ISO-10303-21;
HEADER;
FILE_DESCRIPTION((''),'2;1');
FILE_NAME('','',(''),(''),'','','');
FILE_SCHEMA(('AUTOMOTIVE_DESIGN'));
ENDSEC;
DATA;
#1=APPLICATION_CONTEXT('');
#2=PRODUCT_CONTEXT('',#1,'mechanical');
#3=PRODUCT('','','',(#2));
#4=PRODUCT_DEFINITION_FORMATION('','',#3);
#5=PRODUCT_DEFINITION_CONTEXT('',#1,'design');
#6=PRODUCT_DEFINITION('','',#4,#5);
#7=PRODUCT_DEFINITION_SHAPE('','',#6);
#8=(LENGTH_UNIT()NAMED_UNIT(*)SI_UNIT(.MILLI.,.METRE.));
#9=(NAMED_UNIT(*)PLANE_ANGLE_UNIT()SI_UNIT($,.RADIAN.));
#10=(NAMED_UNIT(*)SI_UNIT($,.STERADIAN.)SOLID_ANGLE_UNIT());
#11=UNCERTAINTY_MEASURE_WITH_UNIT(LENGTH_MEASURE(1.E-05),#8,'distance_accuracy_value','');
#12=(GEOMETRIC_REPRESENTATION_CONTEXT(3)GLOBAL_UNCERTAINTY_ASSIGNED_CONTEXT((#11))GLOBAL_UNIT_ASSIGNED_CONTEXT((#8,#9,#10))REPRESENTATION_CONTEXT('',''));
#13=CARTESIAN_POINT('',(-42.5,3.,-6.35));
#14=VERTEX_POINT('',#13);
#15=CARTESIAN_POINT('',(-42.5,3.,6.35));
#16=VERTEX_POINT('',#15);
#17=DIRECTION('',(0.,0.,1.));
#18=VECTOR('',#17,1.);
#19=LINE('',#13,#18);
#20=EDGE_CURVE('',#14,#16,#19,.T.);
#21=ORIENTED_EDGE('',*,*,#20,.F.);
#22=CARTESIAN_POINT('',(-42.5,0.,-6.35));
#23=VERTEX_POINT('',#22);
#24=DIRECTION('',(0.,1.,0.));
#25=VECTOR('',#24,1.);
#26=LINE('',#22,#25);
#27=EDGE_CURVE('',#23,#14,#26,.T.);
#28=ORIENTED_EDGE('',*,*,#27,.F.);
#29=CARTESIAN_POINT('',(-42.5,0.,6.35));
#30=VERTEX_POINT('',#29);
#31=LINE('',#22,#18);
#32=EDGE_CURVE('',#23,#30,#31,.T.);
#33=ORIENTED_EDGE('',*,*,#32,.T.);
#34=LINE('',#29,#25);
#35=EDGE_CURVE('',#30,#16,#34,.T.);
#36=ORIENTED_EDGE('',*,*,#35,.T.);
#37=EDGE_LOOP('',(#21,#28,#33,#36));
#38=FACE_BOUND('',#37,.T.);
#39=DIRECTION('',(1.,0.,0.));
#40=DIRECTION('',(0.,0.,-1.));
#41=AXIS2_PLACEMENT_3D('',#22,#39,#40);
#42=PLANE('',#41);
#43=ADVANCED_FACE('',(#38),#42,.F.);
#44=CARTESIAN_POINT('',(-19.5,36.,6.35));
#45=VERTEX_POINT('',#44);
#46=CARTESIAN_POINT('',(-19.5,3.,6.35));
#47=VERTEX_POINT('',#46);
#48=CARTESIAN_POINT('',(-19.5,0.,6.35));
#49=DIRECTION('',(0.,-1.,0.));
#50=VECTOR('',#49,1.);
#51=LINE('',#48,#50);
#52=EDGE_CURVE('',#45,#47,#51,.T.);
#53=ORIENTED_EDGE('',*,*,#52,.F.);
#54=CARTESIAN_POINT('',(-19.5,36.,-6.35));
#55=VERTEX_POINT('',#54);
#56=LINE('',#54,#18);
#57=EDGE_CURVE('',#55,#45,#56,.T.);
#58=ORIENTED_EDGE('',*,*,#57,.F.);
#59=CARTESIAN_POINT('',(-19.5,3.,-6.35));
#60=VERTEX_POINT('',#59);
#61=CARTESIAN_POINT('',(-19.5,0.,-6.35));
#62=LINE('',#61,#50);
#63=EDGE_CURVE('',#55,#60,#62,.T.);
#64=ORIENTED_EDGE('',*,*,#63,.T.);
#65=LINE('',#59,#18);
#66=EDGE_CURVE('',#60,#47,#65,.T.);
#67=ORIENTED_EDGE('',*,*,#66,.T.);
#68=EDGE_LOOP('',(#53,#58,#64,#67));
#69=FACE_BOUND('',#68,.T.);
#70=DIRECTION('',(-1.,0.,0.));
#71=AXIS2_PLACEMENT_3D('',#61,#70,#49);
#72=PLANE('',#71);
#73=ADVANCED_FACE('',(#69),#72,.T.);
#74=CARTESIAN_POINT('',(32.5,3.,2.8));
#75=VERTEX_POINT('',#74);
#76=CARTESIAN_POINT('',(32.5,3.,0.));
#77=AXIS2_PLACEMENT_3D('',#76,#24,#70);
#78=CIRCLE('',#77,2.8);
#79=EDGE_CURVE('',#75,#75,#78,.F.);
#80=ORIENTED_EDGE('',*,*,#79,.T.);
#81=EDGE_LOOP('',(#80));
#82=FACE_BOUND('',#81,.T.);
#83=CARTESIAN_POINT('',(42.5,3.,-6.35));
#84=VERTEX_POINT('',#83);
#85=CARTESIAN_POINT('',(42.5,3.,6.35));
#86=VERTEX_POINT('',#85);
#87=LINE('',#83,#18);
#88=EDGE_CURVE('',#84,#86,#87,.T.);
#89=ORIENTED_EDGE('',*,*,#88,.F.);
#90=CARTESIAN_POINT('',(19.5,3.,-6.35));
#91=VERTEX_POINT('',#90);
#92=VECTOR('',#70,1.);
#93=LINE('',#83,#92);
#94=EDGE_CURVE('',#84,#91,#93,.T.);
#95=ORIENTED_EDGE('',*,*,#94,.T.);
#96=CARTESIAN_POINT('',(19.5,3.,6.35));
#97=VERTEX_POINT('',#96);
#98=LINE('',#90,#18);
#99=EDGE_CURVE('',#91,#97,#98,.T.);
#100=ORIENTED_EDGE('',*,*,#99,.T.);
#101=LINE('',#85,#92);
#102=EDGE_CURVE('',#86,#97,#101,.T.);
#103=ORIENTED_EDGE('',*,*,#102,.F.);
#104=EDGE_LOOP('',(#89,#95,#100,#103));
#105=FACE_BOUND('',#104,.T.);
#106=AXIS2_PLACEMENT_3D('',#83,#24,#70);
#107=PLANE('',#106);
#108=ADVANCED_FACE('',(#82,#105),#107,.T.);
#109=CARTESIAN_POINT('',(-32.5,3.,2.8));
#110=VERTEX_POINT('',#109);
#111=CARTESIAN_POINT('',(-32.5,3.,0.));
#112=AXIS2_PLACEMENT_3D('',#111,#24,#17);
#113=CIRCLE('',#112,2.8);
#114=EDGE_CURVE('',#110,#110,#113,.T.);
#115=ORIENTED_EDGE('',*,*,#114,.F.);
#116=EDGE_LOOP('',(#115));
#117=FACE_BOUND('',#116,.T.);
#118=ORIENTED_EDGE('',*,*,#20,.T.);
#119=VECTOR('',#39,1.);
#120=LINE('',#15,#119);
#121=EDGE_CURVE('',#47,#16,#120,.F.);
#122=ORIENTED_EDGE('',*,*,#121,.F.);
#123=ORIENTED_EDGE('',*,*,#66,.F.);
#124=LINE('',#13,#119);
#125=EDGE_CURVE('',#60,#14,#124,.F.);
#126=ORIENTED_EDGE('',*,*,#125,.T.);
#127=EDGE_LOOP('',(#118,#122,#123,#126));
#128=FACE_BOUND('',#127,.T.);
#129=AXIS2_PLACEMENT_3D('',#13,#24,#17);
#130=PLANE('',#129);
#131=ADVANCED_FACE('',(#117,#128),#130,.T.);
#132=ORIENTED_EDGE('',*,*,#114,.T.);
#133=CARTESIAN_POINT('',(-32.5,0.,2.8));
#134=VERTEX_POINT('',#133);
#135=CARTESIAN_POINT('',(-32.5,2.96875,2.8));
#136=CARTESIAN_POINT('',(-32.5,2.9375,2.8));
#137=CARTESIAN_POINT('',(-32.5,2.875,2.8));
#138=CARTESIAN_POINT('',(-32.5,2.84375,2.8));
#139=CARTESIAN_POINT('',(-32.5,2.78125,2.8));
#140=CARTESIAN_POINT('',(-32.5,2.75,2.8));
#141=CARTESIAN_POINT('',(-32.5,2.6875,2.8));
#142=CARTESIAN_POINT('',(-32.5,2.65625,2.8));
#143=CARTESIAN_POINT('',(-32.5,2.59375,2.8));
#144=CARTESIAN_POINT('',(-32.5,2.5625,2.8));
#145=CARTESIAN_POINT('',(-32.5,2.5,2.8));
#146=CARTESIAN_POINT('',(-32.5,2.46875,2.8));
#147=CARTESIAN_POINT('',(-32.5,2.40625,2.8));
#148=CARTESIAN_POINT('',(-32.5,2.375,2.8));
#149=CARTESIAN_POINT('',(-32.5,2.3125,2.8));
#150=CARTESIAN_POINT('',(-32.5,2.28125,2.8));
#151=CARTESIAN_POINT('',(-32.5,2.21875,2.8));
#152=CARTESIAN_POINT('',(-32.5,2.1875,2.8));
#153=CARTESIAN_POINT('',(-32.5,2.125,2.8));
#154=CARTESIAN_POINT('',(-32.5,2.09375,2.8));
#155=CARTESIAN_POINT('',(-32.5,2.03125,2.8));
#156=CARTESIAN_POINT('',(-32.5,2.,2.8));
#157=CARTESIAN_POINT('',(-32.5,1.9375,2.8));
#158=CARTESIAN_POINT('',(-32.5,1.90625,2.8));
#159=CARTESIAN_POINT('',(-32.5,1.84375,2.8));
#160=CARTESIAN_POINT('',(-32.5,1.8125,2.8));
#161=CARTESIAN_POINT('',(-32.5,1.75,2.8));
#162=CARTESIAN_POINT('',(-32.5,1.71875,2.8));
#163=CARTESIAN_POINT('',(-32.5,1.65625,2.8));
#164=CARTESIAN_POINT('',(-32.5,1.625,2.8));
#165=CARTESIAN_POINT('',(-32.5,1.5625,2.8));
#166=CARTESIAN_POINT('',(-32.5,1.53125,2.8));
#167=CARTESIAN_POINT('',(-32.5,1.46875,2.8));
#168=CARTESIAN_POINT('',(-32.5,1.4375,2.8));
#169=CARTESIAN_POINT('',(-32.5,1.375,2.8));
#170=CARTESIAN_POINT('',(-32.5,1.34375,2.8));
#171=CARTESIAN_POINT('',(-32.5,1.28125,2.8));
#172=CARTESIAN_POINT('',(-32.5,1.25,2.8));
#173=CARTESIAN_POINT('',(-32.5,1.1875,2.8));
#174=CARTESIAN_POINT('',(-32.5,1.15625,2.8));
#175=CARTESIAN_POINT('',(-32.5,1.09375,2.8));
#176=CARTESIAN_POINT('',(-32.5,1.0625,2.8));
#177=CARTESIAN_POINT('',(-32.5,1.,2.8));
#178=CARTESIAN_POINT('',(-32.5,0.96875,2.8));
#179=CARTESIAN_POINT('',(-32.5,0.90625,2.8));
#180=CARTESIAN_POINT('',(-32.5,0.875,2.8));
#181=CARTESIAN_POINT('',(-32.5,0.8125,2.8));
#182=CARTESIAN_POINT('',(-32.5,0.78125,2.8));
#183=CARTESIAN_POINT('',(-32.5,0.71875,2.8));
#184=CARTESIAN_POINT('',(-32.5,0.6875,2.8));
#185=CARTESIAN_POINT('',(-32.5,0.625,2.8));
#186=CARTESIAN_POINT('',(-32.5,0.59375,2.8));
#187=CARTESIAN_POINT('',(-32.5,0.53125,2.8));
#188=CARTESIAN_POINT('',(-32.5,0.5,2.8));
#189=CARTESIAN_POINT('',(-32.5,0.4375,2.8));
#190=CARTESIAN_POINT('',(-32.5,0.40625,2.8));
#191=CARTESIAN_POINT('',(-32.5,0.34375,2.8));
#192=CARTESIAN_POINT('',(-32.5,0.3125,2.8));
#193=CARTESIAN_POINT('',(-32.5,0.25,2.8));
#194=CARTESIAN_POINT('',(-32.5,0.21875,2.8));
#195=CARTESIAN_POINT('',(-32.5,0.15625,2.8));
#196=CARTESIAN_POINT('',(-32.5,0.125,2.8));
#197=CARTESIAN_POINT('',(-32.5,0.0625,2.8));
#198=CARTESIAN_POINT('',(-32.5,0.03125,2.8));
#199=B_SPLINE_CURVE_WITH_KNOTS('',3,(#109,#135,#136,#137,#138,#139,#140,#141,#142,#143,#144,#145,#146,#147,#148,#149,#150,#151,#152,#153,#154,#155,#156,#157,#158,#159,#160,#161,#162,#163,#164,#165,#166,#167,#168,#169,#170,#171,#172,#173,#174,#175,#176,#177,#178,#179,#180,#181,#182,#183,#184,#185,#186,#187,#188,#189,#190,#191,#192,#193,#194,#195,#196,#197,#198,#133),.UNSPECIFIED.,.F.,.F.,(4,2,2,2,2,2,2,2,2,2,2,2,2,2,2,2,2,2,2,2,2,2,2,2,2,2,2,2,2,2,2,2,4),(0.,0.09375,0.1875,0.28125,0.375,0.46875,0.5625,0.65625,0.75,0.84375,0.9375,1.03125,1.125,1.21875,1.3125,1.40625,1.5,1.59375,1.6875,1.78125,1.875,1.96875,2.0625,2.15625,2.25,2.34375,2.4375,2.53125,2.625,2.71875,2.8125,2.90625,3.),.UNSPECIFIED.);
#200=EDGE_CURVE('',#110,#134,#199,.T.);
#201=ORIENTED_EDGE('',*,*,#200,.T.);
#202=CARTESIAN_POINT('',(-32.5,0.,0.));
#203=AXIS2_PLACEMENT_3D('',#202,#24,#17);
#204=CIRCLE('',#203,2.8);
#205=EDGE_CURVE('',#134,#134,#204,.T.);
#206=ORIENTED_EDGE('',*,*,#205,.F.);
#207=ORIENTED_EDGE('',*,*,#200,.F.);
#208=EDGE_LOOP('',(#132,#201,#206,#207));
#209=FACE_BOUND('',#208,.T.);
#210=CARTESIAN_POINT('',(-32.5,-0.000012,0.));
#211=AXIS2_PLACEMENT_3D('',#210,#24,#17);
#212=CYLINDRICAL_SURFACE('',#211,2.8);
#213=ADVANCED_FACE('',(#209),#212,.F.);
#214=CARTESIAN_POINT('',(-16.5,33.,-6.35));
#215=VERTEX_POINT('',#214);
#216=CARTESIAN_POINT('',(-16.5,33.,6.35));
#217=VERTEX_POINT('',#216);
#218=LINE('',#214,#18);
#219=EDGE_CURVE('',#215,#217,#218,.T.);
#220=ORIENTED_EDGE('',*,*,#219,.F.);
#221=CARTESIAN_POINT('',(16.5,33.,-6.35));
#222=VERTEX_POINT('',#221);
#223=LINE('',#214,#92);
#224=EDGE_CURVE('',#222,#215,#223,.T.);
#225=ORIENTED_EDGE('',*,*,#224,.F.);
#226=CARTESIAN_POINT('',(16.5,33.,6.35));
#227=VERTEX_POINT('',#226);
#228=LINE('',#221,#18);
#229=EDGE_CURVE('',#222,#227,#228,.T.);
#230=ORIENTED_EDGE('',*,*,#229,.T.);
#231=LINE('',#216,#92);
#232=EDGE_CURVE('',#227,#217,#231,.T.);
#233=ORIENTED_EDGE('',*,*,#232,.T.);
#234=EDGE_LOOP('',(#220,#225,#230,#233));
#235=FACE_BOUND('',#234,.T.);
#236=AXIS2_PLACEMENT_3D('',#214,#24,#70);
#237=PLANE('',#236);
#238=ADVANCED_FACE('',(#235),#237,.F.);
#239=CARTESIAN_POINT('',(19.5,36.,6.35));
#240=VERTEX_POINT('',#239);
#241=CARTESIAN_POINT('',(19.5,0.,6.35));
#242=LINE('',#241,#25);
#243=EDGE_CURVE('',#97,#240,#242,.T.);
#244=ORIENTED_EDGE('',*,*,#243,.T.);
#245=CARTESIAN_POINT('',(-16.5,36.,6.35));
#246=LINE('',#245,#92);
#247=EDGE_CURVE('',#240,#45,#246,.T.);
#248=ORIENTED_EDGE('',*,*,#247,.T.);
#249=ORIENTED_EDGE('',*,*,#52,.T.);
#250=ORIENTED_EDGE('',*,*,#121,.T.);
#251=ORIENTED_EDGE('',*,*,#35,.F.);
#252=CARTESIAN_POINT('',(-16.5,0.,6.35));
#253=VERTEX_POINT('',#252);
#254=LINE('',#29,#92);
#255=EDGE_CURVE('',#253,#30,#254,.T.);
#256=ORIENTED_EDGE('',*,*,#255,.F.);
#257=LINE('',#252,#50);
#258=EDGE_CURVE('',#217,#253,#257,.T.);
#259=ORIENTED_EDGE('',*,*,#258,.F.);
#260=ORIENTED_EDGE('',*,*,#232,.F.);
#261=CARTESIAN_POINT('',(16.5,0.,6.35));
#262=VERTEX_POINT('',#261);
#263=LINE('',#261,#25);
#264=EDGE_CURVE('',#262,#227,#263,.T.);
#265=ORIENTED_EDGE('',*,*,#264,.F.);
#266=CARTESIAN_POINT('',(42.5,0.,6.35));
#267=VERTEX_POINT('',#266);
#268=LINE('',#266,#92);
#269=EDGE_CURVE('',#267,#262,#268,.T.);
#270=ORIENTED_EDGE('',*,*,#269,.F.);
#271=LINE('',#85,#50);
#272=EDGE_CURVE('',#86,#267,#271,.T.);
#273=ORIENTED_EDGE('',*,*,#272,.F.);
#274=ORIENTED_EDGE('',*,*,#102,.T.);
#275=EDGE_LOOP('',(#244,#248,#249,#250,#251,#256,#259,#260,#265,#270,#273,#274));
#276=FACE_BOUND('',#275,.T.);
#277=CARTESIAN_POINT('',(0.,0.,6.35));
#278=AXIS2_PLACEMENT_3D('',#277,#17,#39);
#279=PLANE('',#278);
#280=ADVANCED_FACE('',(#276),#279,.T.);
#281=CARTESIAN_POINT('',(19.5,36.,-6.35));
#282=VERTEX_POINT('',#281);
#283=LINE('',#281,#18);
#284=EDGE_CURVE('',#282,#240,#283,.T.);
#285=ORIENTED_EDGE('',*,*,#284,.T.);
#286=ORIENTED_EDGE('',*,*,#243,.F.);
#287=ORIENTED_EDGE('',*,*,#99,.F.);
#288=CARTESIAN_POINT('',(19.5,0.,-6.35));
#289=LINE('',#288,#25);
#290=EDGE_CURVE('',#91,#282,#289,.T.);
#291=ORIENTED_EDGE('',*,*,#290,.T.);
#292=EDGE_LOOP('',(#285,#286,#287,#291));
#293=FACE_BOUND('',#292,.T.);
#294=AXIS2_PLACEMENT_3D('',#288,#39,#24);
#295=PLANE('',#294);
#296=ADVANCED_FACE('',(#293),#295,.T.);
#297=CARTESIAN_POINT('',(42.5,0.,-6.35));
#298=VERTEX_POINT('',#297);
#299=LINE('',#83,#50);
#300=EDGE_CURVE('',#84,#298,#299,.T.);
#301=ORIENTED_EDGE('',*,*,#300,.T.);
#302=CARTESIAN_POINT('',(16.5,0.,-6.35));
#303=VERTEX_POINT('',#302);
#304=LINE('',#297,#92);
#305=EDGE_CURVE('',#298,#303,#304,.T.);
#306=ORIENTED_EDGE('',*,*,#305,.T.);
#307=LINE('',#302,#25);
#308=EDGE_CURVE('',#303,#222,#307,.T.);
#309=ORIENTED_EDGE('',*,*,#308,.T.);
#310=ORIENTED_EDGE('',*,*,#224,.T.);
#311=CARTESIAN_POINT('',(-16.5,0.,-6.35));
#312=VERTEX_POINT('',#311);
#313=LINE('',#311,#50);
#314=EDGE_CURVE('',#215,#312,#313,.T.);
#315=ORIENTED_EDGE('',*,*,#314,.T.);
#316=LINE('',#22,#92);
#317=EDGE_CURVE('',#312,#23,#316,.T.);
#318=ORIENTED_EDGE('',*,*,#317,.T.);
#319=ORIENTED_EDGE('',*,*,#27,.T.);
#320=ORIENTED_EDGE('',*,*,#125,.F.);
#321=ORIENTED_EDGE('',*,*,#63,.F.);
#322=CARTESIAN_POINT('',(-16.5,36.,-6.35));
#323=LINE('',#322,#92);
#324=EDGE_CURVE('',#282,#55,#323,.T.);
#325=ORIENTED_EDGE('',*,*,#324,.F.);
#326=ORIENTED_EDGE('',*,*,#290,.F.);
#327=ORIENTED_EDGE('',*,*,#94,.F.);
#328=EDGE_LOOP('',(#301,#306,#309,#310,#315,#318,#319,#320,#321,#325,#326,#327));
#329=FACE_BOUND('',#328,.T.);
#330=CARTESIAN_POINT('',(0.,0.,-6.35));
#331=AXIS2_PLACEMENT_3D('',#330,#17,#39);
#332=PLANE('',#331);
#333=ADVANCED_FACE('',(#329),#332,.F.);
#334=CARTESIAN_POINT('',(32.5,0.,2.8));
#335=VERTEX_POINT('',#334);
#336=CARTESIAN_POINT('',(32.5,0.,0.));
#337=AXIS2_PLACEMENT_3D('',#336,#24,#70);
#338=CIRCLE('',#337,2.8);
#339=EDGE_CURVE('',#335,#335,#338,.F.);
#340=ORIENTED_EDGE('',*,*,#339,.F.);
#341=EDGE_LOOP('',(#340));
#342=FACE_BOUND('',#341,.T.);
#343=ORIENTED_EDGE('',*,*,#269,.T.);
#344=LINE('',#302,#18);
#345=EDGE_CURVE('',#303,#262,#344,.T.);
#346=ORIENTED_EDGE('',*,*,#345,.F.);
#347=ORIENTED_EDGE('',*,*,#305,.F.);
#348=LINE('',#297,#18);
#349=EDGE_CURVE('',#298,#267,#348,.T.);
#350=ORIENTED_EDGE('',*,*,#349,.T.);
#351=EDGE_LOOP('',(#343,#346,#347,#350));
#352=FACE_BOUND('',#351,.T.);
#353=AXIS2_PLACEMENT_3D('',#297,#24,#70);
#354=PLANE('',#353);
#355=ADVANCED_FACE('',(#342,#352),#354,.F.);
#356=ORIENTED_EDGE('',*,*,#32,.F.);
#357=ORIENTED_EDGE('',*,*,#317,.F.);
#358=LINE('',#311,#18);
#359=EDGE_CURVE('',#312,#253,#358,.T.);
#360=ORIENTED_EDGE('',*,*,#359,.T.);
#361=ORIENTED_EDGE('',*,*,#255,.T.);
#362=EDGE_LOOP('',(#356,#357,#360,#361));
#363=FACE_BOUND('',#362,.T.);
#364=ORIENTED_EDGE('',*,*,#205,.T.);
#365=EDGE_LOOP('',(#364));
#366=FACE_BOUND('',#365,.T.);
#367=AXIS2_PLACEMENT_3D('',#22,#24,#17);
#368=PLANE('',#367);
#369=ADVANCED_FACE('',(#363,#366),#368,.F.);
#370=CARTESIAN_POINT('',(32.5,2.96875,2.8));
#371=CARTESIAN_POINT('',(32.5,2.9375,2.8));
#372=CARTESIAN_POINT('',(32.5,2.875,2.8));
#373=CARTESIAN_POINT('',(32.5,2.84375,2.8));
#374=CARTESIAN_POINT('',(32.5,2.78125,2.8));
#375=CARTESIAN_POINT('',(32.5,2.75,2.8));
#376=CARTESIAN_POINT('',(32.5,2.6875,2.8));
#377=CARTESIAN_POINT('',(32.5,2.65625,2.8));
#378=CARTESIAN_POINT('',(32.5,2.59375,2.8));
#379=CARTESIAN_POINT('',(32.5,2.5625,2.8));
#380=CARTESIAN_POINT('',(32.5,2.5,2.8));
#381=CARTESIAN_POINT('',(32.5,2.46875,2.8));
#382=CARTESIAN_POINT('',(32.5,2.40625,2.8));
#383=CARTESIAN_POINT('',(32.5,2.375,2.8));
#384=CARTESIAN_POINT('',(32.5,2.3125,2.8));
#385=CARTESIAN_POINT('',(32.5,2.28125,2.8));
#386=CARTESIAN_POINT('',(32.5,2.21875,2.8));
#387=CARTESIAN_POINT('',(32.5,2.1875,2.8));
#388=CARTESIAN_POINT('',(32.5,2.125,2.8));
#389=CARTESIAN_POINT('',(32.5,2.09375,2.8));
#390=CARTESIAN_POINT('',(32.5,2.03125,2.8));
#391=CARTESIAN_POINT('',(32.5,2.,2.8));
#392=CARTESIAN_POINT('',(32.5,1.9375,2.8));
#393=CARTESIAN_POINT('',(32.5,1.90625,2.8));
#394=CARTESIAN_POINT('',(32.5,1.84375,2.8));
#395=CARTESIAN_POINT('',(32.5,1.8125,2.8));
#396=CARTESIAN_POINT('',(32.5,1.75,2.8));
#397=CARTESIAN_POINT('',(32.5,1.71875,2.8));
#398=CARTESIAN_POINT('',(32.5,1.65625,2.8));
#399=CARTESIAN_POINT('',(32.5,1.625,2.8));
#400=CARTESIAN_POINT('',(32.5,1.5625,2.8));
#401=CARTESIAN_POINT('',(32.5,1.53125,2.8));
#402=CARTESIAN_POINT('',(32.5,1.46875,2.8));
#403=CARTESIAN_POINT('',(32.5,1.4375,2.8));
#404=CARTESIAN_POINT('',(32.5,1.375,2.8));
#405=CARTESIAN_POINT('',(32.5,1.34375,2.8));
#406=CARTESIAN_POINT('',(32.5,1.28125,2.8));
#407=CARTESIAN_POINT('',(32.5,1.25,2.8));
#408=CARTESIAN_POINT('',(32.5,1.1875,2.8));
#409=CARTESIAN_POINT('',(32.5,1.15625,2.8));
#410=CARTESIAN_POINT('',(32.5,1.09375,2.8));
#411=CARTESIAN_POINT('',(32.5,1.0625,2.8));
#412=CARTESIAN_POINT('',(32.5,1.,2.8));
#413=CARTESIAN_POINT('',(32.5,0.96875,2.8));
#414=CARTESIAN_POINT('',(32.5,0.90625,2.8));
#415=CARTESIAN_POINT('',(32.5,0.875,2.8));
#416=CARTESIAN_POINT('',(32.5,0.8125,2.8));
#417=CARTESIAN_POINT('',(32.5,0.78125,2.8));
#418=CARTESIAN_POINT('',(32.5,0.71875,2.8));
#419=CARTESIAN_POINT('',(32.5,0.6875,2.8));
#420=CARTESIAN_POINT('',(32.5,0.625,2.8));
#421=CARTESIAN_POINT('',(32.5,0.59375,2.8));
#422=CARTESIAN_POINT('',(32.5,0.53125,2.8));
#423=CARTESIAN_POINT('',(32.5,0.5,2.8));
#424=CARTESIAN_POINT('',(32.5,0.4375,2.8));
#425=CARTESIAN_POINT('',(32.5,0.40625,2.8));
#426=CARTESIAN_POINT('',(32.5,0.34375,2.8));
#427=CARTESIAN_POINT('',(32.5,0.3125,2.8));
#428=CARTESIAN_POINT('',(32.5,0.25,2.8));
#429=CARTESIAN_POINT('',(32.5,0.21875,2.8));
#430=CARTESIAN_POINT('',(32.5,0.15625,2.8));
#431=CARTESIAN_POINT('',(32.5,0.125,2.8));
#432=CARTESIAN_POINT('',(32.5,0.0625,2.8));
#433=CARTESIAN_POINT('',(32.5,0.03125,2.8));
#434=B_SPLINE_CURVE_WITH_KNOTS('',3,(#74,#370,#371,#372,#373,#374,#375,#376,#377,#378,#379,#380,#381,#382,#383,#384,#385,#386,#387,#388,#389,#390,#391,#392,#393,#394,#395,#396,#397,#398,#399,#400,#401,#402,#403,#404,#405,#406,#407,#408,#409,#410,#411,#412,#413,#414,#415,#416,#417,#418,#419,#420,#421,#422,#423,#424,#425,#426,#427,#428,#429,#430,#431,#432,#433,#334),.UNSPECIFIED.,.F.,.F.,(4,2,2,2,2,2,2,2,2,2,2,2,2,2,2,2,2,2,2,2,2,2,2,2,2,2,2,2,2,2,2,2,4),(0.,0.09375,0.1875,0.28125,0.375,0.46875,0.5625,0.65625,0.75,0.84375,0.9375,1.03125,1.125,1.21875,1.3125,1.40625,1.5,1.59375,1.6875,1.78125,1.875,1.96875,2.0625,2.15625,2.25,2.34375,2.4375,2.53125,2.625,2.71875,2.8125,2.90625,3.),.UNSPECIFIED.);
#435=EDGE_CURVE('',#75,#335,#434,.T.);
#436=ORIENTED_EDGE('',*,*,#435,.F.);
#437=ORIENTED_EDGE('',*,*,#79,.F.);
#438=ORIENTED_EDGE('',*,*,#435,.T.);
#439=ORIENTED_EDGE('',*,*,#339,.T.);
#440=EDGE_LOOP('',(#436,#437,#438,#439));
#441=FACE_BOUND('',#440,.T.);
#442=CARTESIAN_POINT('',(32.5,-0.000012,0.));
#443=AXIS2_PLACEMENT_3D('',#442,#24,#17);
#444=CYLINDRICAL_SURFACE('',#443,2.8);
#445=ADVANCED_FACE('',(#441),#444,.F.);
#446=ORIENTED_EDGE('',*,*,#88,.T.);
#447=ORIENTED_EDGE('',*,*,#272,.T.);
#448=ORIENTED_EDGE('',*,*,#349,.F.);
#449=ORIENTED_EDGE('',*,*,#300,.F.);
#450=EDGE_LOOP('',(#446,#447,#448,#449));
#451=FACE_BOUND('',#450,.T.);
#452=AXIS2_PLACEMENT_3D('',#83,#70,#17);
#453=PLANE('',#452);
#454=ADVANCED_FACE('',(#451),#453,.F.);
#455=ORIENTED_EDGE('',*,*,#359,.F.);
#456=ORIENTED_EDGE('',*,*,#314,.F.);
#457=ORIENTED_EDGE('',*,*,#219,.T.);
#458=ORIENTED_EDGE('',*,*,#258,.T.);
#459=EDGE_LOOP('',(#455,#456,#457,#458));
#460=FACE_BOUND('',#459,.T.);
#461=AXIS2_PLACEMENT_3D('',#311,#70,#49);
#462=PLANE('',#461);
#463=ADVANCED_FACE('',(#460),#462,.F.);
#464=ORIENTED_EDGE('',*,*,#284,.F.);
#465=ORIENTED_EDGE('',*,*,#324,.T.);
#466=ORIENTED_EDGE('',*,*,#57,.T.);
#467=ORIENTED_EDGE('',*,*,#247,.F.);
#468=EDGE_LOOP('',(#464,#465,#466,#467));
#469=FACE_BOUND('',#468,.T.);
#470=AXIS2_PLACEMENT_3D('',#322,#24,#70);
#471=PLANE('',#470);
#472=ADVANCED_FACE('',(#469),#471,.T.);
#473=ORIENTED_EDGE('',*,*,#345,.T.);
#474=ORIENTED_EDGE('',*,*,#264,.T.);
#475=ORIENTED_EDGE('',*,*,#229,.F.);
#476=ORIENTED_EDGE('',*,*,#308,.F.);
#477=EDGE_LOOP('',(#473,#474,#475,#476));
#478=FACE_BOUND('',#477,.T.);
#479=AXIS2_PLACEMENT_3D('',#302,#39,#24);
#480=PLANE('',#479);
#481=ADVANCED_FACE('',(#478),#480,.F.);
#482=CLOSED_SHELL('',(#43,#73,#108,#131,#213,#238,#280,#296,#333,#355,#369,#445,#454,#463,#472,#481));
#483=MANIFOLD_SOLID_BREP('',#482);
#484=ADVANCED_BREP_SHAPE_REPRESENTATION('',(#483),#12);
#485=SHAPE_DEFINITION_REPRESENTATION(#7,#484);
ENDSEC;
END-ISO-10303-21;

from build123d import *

# Parameters (mm, degrees)
EXTRUDE_THIN1_DEPTH      = 6.35
EXTRUDE_THIN1_DEPTH_BACK = 6.35
CUT_EXTRUDE2_DEPTH       = 57.058652321
CUT_EXTRUDE2_DEPTH_BACK  = 57.058652321
SKETCH2_R                = 2.8


with BuildPart() as part:
    # Sketch1 → Extrude-Thin1 (new, two sides: drawn at the far end of the back side and taken through both)
    with BuildSketch(Plane.XY.offset(-EXTRUDE_THIN1_DEPTH_BACK)):
        Polygon((-42.5, 0), (-16.5, 0), (-16.5, 33), (16.5, 33), (16.5, 0), (42.5, 0), (42.5, 3), (19.5, 3), (19.5, 36), (-19.5, 36), (-19.5, 3), (-42.5, 3), align=None)
    extrude(amount=EXTRUDE_THIN1_DEPTH + EXTRUDE_THIN1_DEPTH_BACK)

    # Sketch2 → Cut-Extrude2 (cut, two sides: drawn at the far end of the back side and taken through both)
    with BuildSketch(Plane(origin=(0, 0, 0), x_dir=(1, 0, 0), z_dir=(0, 1, 0)).offset(-CUT_EXTRUDE2_DEPTH_BACK)):
        with Locations(Location((32.5, 0, 0), (0, 0, 270))):
            Circle(SKETCH2_R)
        with Locations(Location((-32.5, 0, 0), (0, 0, 270))):
            Circle(SKETCH2_R)
    extrude(amount=CUT_EXTRUDE2_DEPTH + CUT_EXTRUDE2_DEPTH_BACK, mode=Mode.SUBTRACT)


solid = part.part
